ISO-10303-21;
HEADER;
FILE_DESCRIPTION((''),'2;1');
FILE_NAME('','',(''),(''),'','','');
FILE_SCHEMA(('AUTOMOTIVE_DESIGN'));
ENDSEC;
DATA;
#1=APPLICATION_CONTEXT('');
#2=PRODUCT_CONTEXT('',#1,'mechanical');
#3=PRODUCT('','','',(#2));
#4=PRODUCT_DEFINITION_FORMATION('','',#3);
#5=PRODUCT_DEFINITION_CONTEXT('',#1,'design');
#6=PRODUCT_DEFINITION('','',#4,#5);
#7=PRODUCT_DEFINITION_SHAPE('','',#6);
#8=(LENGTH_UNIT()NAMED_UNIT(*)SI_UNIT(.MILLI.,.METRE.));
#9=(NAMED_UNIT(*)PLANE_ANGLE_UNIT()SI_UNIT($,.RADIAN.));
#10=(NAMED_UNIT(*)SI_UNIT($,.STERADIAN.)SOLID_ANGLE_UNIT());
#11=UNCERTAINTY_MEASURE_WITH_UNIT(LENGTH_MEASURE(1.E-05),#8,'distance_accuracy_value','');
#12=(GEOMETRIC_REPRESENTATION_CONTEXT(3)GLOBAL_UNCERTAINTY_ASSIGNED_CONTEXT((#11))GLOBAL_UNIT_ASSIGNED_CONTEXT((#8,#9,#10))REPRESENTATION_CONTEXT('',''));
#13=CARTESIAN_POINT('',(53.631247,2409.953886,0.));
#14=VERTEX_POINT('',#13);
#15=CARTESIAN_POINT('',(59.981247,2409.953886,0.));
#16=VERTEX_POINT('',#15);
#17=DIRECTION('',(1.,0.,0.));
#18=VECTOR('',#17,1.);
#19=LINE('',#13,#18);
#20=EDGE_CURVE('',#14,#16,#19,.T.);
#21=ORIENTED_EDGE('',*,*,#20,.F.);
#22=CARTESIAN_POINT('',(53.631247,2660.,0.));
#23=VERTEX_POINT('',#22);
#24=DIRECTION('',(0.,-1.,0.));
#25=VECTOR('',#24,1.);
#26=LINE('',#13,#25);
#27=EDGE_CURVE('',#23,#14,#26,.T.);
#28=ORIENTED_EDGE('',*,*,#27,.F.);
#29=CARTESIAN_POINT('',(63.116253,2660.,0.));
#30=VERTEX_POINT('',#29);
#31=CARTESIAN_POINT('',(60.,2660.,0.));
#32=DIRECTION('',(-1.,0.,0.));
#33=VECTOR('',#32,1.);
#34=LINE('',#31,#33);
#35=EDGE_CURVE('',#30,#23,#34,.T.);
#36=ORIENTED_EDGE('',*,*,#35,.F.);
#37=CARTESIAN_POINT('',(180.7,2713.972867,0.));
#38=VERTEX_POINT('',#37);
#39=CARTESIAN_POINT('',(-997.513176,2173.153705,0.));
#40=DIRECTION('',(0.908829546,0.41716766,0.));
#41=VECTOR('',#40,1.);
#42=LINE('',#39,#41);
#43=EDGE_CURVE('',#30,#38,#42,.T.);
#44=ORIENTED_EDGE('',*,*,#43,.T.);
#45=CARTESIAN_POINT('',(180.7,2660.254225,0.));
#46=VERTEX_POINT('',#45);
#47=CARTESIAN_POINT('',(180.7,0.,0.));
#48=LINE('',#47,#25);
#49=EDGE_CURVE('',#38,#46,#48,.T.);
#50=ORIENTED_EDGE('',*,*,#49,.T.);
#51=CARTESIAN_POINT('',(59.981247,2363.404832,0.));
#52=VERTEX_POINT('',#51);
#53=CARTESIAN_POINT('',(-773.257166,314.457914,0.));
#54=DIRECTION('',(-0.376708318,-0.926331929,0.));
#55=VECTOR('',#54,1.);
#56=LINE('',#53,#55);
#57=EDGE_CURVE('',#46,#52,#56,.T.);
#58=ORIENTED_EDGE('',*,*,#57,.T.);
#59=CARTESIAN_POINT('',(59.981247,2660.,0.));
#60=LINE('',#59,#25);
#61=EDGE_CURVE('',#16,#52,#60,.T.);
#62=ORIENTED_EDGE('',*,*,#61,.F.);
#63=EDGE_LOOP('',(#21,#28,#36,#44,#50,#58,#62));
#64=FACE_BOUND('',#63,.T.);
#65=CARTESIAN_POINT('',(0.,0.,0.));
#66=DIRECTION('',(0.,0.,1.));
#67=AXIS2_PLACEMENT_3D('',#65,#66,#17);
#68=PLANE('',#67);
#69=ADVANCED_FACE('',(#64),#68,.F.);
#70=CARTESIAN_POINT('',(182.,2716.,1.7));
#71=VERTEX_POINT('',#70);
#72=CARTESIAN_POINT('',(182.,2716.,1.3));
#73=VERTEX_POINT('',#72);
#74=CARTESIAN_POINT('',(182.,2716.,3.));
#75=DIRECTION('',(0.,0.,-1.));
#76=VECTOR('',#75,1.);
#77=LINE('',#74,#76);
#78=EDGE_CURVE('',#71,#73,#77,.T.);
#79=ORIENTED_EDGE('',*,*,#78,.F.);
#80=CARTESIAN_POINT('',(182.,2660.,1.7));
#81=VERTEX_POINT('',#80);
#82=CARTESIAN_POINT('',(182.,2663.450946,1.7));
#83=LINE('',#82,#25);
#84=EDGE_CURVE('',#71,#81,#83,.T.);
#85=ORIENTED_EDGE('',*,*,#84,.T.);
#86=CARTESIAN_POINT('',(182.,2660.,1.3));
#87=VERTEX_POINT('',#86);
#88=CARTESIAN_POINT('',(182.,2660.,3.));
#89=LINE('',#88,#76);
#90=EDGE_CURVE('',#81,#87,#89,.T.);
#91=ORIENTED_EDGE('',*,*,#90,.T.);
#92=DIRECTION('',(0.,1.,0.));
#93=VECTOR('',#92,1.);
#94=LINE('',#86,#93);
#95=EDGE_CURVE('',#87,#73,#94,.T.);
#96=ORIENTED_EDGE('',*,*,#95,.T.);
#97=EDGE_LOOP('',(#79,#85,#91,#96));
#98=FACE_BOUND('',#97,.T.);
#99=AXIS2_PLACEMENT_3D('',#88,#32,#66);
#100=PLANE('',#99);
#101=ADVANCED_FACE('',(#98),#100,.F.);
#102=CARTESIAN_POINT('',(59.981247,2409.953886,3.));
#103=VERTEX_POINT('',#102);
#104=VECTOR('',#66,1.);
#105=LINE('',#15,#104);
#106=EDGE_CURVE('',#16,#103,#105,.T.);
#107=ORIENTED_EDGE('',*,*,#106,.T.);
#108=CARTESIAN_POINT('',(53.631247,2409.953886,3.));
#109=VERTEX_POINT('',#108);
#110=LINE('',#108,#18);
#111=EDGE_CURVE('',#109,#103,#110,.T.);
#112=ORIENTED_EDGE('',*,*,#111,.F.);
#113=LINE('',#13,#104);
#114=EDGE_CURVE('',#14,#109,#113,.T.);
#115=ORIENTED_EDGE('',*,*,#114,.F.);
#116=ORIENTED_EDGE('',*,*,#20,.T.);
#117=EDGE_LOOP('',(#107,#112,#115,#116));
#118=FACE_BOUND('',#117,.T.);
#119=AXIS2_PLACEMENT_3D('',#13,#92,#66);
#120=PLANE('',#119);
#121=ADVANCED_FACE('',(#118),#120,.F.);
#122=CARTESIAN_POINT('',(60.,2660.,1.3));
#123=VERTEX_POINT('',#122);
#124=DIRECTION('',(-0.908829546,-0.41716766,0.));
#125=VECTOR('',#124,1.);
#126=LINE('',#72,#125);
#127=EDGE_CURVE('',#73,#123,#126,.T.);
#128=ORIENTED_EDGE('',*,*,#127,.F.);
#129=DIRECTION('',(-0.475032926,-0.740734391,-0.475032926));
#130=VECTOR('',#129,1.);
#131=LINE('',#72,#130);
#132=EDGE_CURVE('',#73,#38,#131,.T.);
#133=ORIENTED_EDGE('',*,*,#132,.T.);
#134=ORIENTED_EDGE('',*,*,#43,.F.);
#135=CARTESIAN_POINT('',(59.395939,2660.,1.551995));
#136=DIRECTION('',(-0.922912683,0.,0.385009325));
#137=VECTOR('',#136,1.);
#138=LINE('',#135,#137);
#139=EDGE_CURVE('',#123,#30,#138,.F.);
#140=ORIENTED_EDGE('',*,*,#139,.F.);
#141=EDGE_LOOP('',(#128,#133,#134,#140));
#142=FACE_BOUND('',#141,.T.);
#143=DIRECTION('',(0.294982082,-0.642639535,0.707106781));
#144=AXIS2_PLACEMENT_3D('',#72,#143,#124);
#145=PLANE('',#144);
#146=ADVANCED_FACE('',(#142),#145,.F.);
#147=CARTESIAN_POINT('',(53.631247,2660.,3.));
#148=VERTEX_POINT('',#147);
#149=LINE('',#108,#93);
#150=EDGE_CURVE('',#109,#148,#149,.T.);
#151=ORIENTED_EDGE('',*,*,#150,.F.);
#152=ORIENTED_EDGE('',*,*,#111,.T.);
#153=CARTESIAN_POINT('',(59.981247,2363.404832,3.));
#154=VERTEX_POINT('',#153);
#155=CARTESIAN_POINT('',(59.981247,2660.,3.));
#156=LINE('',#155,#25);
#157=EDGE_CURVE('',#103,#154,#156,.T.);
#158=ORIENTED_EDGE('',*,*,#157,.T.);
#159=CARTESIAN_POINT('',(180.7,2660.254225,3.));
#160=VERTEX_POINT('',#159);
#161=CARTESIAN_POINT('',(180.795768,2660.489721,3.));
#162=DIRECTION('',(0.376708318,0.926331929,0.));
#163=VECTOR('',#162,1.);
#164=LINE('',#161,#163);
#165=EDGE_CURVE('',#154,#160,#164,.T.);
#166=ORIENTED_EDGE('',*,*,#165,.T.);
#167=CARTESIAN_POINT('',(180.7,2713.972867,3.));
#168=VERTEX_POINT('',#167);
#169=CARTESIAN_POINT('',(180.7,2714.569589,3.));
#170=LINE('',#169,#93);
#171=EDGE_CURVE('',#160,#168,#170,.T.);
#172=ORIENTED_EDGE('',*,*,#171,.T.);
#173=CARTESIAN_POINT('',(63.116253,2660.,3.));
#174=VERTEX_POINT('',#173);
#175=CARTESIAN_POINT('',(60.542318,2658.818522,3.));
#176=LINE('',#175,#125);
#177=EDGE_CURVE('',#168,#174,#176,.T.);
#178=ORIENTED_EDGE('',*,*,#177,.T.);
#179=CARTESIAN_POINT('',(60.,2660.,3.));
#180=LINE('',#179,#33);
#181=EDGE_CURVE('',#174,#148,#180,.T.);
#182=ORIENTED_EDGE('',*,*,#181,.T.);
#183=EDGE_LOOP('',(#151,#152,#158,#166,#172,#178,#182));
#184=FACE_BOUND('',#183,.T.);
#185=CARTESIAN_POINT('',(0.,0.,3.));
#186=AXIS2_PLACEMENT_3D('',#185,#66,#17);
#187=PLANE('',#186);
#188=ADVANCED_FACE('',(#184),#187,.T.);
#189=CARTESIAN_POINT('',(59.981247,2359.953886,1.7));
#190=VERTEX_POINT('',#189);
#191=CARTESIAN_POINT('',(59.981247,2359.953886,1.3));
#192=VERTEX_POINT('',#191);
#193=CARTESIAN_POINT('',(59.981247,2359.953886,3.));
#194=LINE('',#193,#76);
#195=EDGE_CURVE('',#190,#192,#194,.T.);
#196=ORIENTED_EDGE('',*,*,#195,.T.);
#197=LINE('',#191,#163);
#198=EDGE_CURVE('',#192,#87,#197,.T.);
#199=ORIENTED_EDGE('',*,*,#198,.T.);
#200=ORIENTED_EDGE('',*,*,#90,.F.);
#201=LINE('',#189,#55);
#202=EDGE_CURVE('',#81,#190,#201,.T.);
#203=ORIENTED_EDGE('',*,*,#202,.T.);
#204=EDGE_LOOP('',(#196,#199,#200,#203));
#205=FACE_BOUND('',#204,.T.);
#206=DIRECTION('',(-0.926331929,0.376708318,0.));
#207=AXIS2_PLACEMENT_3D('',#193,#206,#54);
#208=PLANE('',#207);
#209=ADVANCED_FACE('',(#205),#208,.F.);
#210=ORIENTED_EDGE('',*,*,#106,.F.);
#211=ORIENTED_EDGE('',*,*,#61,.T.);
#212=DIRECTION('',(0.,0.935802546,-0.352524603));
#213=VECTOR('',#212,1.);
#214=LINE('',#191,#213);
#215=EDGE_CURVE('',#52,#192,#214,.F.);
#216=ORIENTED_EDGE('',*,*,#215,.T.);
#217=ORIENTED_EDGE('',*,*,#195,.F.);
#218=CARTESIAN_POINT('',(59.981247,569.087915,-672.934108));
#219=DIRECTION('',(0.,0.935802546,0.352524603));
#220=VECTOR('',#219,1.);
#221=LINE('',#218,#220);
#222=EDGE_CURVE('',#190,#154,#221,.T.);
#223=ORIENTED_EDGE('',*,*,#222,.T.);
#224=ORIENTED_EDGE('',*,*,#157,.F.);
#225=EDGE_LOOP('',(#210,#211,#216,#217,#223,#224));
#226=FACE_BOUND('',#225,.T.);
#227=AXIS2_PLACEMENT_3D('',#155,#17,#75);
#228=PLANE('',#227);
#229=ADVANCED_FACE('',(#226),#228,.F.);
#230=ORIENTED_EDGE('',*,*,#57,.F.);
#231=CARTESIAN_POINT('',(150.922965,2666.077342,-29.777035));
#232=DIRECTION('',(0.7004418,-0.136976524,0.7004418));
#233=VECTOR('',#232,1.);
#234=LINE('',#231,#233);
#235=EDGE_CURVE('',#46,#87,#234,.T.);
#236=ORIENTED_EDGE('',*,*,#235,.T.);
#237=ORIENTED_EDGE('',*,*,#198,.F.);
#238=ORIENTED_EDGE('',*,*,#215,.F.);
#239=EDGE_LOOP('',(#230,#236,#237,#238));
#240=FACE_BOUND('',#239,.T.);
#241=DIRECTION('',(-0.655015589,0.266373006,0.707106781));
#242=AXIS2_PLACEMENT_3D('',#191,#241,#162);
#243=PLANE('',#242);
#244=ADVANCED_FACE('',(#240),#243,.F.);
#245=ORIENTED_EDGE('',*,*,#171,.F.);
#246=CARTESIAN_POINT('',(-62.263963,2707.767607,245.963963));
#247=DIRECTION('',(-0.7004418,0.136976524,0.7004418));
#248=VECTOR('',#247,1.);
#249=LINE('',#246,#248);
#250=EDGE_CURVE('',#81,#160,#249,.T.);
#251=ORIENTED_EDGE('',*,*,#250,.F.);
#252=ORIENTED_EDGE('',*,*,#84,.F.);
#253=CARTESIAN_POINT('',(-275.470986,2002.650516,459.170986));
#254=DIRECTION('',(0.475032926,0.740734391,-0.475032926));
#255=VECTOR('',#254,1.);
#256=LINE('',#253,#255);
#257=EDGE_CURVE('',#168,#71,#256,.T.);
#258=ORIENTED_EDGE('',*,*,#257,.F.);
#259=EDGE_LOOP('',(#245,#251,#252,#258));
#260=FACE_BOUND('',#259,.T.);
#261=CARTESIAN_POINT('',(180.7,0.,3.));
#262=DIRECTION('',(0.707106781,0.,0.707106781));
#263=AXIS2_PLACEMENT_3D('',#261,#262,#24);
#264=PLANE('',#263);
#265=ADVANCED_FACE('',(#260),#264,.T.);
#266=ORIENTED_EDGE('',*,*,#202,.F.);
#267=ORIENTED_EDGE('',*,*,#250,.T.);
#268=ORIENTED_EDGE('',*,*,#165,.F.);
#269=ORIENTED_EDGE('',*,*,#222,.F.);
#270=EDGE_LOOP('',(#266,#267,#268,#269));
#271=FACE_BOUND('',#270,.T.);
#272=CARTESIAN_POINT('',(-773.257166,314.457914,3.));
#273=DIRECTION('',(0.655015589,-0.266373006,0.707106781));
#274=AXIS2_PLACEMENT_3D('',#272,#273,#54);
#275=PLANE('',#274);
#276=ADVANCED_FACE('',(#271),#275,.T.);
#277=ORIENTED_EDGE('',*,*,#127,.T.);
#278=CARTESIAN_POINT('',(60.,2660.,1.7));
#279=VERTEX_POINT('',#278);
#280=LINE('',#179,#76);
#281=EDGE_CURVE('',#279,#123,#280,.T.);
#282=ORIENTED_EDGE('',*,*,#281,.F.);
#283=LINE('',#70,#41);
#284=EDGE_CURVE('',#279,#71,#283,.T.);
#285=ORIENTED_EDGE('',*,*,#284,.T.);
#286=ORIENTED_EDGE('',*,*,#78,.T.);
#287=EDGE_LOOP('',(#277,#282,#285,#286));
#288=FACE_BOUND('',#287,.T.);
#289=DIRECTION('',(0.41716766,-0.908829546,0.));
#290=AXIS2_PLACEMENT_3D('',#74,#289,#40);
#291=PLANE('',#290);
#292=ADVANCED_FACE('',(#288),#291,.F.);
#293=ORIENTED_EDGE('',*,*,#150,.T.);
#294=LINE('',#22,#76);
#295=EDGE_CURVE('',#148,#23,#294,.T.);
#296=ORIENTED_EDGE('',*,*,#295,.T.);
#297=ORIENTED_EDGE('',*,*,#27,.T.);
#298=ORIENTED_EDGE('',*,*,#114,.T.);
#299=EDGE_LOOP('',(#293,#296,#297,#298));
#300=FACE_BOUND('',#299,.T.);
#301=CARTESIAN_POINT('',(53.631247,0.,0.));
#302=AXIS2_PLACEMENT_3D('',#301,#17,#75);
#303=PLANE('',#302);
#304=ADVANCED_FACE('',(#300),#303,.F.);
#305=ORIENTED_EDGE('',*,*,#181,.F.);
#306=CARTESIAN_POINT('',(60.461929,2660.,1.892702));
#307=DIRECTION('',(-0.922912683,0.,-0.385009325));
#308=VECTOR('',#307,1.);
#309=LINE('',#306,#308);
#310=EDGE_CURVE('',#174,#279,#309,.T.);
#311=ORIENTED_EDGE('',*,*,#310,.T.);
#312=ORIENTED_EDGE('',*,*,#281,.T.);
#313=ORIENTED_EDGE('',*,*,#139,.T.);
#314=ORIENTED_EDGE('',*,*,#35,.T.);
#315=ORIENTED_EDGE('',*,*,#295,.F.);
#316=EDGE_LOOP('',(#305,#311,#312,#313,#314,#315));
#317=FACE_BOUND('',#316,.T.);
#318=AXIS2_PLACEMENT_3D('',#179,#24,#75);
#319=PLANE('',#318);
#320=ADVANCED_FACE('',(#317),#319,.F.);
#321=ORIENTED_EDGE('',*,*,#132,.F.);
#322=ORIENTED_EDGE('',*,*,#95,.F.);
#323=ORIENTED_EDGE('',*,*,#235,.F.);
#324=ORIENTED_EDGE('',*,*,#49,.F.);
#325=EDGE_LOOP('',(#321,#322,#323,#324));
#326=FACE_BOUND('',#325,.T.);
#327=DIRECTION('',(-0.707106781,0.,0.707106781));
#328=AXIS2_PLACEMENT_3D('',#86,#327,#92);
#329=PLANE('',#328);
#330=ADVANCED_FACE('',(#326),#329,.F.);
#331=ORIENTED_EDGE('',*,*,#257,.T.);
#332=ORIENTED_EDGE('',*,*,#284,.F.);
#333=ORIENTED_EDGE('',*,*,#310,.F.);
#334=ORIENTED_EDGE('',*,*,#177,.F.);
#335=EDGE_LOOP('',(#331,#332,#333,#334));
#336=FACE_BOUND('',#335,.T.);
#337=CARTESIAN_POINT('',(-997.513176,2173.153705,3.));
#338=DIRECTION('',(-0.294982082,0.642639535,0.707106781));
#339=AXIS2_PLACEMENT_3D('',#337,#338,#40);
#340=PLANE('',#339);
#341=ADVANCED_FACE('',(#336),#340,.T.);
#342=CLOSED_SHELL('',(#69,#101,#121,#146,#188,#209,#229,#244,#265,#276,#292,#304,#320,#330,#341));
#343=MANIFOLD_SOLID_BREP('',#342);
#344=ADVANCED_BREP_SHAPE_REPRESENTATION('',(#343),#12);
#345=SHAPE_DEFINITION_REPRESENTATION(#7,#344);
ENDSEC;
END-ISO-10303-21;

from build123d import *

# Parameters (mm, degrees)
BOSS_EXTRUDE1_DEPTH = 3
SKETCH2_W           = 3
SKETCH2_H           = 250.046113764
BOSS_EXTRUDE2_DEPTH = 6.35
CHAMFER1_SIZE       = 1.3
CHAMFER2_SIZE       = 1.3
CHAMFER3_SIZE       = 1.3


with BuildPart() as part:
    # Sketch1 → Boss-Extrude1 (new body)
    with BuildSketch(Plane.XY):
        Polygon((60, 2660), (59.981247069, 2660), (59.981247069, 2359.953886236), (182, 2660), (182, 2716), align=None)
    extrude(amount=BOSS_EXTRUDE1_DEPTH)

    # Sketch2 → Boss-Extrude2 (add)
    with BuildSketch(Plane.ZY.offset(-59.981247069)):
        with Locations((1.5, 2534.976943118)):
            Rectangle(SKETCH2_W, SKETCH2_H)
    extrude(amount=BOSS_EXTRUDE2_DEPTH)

    # Chamfer1
    chamfer1_edges = [part.edges().sort_by_distance(p)[0] for p in [
        (120.990623535, 2509.976943118, 3),
        (120.990623535, 2509.976943118, 0),
    ]]
    chamfer(chamfer1_edges, length=CHAMFER1_SIZE)

    # Chamfer2
    chamfer2_edges = [part.edges().sort_by_distance(p)[0] for p in [
        (121, 2688, 3),
        (121, 2688, 0),
    ]]
    chamfer(chamfer2_edges, length=CHAMFER2_SIZE)

    # Chamfer3
    chamfer3_edges = [part.edges().sort_by_distance(p)[0] for p in [
        (182, 2689.010267295, 0),
        (182, 2689.010267295, 3),
    ]]
    chamfer(chamfer3_edges, length=CHAMFER3_SIZE)


solid = part.part
